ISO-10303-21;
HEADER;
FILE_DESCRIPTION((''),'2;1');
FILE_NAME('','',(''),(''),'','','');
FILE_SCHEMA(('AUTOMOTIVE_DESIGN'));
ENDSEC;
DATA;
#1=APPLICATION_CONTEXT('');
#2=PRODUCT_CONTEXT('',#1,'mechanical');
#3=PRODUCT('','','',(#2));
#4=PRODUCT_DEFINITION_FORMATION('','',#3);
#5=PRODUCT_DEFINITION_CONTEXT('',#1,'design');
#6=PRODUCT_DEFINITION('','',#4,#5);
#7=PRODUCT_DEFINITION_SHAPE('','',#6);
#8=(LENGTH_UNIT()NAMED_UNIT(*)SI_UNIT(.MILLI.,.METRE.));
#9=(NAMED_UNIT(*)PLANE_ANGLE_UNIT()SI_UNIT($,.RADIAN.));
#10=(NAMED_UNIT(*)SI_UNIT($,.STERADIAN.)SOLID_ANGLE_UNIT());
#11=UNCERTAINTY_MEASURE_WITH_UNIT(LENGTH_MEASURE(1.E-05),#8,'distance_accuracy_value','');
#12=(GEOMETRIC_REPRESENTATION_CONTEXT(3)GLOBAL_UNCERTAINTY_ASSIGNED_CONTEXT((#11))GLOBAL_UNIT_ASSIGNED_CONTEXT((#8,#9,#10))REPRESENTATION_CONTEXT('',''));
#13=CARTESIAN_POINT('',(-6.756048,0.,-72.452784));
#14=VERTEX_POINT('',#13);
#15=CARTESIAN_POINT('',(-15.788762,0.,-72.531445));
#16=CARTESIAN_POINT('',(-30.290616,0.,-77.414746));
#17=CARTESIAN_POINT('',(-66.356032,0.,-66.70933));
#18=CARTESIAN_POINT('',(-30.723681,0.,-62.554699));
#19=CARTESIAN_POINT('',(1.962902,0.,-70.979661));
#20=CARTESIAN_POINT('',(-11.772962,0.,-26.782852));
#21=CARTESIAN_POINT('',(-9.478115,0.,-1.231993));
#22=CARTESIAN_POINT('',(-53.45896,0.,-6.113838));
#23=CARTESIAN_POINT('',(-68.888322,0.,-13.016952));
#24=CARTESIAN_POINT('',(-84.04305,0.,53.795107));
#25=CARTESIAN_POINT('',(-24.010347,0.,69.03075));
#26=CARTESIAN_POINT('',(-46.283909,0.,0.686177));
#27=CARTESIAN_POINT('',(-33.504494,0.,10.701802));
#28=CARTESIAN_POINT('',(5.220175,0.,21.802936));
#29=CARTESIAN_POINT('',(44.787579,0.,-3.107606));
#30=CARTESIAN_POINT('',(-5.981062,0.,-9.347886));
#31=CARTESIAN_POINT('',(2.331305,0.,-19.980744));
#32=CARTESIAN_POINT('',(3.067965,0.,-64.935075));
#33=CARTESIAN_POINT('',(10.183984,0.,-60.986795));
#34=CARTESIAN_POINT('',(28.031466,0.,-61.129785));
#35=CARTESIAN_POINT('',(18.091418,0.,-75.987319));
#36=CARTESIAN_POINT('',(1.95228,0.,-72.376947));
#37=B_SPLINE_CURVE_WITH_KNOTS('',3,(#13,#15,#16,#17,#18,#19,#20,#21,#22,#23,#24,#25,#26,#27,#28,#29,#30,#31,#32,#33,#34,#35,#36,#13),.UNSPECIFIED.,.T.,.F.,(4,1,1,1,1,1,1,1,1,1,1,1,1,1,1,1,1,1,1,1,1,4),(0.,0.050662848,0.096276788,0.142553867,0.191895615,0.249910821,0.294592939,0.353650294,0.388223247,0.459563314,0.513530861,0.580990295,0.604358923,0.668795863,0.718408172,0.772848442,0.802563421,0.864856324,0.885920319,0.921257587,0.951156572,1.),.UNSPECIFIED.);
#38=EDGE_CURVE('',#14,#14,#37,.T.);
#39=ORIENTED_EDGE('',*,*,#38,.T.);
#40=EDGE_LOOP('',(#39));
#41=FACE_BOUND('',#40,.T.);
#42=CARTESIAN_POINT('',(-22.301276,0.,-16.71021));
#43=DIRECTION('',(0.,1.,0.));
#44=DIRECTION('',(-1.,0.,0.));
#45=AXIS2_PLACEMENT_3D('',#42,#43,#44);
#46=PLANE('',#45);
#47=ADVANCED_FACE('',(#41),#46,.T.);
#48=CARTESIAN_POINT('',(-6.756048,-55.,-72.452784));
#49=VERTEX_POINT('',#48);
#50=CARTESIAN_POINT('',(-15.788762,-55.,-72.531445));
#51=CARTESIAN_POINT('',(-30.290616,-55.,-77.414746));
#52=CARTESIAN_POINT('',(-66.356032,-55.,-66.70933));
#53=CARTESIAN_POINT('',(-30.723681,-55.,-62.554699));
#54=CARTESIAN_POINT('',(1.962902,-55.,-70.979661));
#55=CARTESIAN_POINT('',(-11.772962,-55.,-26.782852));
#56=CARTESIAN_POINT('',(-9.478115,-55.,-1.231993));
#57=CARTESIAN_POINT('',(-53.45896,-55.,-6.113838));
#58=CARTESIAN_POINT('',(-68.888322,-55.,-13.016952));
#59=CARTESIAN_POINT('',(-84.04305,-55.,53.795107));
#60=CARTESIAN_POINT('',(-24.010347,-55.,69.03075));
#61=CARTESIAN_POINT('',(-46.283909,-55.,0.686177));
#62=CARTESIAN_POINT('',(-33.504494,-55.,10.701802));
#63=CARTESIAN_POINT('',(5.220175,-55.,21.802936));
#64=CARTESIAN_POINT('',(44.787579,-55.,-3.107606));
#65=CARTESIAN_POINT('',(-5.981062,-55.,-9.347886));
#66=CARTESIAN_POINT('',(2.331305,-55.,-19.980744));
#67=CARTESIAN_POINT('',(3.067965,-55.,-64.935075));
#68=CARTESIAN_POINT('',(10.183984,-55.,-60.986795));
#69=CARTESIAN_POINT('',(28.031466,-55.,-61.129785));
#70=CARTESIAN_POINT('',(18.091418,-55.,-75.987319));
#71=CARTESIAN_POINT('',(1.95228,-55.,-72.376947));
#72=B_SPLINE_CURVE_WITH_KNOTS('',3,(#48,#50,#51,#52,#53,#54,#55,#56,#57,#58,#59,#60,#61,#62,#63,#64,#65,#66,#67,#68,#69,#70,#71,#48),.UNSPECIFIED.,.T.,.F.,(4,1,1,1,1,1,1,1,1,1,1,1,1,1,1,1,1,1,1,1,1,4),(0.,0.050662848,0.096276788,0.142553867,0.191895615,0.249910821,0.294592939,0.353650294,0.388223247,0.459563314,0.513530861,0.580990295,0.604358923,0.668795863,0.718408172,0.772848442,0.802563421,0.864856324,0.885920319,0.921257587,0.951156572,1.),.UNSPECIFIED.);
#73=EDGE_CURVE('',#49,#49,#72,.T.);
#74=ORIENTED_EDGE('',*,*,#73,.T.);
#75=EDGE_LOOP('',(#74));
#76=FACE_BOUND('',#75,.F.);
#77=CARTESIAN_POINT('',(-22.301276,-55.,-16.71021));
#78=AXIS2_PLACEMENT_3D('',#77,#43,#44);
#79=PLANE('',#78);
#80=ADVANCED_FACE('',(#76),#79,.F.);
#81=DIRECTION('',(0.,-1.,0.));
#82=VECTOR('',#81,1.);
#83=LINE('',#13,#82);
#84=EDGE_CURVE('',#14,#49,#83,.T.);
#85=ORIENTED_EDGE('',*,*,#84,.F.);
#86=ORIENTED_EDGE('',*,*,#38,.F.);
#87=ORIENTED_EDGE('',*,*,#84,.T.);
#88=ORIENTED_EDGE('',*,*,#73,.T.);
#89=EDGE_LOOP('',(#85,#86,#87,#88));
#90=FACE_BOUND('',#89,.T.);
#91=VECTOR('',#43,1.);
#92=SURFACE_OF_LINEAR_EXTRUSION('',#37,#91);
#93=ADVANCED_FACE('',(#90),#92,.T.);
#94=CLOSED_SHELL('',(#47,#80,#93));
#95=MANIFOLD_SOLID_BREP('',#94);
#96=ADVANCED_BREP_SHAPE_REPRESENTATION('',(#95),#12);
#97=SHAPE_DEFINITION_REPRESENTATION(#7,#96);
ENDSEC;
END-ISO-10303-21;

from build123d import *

# Parameters (mm, degrees)
F1_DEPTH = 55


with BuildPart() as f1:
    # F0 (on Front) → F1 (new body)
    with BuildSketch(Plane.XZ):
        with BuildLine():
            add(Edge.make_bspline(
                [(-6.7560481839, -72.4527835846), (-15.7887617778, -72.5314450596), (-30.2906160511, -77.4147458289), (-66.3560319091, -66.7093301461), (-30.7236812457, -62.5546987661), (1.9629022049, -70.97966101), (-11.7729621713, -26.7828519543), (-9.4781154682, -1.2319932097), (-53.4589597446, -6.1138377165), (-68.8883221044, -13.0169518596), (-84.0430502304, 53.7951069612), (-24.0103466345, 69.030749532), (-46.2839085048, 0.6861765475), (-33.5044939091, 10.7018022771), (5.2201749351, 21.8029362462), (44.7875793508, -3.1076058468), (-5.9810624148, -9.3478860899), (2.3313052641, -19.9807435301), (3.0679652596, -64.9350747993), (10.1839842963, -60.9867953761), (28.0314663079, -61.1297854147), (18.0914179439, -75.9873194277), (1.9522796635, -72.3769470261), (-6.7560481839, -72.4527835846)],
                knots=[0, 0, 0, 0, 0.0506628482, 0.0962767883, 0.1425538675, 0.1918956147, 0.2499108207, 0.2945929395, 0.3536502936, 0.3882232473, 0.4595633138, 0.5135308613, 0.5809902946, 0.6043589227, 0.668795863, 0.7184081716, 0.7728484422, 0.8025634214, 0.8648563241, 0.8859203192, 0.9212575874, 0.9511565725, 1, 1, 1, 1], degree=3))
        make_face()
    extrude(amount=F1_DEPTH)


solid = f1.part
